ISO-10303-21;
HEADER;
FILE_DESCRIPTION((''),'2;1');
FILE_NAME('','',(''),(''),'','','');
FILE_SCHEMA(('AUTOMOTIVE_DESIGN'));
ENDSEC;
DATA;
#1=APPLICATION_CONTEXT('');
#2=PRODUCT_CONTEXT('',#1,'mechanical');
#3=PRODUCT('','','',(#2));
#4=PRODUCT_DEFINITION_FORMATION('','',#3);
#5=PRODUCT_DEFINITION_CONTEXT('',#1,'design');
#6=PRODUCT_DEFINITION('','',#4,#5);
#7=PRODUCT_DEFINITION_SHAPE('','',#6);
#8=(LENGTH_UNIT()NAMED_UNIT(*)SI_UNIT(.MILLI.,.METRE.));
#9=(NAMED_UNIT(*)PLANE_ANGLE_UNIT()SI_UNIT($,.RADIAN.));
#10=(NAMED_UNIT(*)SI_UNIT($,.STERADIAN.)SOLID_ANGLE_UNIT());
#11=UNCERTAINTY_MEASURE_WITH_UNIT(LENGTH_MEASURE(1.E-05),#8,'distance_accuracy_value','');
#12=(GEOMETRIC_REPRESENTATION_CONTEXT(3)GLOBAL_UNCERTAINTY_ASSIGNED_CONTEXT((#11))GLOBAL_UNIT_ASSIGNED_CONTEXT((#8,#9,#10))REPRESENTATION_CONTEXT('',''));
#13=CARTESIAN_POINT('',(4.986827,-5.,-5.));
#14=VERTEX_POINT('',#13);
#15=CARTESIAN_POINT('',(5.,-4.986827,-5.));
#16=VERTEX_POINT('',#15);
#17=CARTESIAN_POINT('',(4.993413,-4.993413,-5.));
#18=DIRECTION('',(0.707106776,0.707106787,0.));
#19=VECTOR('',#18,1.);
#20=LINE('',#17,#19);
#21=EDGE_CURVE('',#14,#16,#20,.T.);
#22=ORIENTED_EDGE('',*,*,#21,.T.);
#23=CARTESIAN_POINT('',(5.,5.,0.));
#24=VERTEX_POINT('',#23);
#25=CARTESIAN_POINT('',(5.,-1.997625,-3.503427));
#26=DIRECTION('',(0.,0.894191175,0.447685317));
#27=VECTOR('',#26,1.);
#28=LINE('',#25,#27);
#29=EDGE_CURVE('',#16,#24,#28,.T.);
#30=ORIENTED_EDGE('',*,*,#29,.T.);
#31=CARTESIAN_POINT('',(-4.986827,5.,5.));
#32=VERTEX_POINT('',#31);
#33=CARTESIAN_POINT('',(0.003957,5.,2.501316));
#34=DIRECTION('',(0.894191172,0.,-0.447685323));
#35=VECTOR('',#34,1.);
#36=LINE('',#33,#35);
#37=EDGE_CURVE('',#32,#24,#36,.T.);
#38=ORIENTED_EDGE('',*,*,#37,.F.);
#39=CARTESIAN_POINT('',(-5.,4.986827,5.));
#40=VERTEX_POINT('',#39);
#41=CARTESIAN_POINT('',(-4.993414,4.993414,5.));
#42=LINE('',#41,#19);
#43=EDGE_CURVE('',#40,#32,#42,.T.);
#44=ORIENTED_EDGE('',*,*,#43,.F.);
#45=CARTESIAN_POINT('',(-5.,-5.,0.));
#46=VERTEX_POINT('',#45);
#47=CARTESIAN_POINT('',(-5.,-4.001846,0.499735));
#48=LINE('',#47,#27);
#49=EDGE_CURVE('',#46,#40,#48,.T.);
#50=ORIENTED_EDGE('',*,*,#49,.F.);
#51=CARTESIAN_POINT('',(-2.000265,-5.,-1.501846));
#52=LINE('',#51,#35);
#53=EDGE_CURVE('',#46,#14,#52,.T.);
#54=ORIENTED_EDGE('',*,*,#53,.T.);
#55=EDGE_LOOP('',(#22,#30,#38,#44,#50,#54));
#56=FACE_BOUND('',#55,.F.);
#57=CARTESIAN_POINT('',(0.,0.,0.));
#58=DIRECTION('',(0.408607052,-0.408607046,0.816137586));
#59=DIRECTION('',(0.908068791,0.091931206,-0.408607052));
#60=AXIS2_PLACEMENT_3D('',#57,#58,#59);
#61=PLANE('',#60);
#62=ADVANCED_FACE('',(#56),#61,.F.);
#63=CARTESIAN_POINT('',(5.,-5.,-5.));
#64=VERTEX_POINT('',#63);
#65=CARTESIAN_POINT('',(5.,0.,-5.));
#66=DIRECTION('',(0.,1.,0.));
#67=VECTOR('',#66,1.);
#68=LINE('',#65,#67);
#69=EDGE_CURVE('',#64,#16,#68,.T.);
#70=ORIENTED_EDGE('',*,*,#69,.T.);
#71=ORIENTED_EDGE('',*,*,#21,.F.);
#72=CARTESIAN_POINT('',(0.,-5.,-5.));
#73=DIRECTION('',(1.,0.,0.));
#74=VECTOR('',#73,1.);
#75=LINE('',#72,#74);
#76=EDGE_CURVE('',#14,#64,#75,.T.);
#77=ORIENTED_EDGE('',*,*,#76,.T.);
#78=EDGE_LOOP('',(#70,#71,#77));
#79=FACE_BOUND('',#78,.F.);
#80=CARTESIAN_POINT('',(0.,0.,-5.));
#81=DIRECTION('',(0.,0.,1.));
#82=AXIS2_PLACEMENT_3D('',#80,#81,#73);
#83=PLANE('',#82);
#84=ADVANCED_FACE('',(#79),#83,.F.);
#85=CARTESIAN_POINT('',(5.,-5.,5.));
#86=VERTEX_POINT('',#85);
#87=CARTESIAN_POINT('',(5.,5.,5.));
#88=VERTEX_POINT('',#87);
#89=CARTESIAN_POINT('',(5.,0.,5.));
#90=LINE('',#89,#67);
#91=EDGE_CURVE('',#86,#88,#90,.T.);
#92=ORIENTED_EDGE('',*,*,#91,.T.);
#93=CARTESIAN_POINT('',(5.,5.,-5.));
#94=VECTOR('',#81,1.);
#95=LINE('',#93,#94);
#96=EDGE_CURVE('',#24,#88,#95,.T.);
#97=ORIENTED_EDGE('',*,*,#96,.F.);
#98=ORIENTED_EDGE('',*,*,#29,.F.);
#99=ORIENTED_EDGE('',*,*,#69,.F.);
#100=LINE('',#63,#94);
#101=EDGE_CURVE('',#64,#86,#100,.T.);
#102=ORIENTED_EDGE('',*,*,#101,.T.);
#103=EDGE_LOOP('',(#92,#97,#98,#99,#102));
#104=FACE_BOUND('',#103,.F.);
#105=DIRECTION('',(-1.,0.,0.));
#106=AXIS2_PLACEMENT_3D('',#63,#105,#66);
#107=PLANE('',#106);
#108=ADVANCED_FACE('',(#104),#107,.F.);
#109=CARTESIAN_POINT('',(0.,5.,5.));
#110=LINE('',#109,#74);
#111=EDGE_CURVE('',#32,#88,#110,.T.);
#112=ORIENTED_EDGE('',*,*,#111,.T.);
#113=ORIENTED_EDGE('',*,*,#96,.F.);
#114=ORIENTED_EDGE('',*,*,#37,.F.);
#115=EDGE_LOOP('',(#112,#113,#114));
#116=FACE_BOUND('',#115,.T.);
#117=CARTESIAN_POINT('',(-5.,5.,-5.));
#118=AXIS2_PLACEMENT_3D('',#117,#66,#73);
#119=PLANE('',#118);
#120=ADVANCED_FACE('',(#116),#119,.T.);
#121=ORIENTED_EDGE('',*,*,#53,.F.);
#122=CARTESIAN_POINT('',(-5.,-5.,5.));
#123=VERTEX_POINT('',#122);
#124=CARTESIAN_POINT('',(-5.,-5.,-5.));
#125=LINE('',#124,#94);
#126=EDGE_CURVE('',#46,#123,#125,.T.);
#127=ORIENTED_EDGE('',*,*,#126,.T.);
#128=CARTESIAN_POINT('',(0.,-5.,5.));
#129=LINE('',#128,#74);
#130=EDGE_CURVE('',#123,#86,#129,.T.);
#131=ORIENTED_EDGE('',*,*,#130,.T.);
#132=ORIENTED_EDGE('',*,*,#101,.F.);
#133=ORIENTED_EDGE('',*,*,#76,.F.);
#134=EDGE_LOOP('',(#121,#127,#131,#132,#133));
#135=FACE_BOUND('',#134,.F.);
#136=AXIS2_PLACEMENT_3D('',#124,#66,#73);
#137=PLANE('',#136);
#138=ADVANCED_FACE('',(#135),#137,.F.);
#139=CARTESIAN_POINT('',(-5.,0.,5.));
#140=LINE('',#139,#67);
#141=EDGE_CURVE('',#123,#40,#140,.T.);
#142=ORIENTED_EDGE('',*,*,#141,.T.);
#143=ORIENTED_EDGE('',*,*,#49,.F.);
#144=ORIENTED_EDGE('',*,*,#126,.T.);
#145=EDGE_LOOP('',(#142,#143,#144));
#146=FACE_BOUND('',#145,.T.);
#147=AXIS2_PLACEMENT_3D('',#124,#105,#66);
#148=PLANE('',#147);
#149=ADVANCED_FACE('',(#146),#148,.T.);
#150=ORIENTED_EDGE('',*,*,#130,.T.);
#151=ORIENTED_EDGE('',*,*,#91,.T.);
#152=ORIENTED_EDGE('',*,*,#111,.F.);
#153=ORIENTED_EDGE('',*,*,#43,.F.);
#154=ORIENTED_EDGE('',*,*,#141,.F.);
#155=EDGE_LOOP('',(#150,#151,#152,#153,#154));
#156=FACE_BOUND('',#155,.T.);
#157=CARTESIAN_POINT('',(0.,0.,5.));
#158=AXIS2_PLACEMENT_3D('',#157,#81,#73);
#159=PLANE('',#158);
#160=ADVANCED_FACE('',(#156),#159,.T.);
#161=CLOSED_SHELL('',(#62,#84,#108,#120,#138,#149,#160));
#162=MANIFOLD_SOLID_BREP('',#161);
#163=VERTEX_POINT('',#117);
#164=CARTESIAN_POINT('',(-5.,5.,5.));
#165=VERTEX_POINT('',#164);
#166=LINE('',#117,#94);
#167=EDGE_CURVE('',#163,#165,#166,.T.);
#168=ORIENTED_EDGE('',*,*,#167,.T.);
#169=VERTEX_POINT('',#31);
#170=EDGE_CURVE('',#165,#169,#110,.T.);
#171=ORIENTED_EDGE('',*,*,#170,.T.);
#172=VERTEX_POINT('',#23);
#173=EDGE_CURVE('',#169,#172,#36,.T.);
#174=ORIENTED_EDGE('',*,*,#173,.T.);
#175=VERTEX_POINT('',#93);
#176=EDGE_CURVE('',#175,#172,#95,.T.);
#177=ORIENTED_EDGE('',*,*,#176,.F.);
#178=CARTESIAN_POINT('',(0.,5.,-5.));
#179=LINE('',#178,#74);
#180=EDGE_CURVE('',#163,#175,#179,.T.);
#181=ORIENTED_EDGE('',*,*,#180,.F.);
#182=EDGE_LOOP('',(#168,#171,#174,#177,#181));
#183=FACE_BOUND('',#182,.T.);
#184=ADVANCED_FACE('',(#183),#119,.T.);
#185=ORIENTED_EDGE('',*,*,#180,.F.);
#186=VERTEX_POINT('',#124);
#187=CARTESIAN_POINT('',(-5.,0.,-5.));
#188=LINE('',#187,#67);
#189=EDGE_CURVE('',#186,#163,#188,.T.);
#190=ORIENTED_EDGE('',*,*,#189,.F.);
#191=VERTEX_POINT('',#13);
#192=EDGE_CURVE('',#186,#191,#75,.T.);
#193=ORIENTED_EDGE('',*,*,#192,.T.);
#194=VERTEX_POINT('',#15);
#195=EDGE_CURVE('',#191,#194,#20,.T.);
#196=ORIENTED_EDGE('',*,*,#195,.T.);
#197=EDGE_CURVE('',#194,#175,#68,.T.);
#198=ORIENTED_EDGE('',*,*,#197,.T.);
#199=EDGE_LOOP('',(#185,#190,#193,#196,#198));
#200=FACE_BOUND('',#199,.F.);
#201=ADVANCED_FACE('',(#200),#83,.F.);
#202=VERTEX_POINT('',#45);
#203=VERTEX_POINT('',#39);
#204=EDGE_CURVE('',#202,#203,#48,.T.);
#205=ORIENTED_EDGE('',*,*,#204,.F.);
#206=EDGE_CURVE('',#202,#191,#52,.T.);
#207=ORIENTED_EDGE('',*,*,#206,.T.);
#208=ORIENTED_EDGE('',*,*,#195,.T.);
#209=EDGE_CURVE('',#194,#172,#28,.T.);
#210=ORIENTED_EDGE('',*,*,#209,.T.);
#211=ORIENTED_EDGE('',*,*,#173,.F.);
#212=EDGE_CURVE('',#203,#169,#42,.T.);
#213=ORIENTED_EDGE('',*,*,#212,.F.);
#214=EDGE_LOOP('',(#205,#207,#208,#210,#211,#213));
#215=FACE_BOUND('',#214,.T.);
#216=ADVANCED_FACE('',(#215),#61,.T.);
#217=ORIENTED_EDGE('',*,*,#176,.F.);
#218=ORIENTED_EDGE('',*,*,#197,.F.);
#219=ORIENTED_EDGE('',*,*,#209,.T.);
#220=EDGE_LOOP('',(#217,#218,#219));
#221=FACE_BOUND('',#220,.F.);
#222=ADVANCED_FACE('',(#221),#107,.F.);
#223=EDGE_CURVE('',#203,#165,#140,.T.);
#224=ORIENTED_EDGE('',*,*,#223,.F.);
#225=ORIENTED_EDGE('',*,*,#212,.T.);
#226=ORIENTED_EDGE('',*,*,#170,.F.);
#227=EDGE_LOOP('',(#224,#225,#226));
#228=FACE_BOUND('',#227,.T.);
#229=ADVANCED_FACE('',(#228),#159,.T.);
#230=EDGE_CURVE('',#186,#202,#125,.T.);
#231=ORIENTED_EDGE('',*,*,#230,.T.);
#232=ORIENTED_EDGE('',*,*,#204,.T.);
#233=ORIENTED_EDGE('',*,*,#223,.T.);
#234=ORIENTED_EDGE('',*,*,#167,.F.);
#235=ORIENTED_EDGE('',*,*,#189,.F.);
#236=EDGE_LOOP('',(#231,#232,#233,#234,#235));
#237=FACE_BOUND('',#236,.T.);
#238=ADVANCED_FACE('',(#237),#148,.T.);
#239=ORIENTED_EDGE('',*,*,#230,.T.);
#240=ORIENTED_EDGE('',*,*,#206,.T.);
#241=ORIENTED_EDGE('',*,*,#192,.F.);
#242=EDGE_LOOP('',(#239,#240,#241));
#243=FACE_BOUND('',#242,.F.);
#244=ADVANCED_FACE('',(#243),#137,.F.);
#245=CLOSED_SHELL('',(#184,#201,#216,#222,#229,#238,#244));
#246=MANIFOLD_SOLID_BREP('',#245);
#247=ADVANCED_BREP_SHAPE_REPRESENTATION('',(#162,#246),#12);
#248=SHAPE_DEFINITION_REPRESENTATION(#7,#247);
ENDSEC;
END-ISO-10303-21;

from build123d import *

# Parameters (mm, degrees)
BOX001_W               = 30
BOX001_H               = 30
BOX001_DEPTH           = 30
BOX001_ROLL_ANGLE      = 26.595273
BOX001_PITCH_ANGLE     = 24.117362
BOX001_PLACEMENT_ANGLE = 5.780823
BOX_W                  = 10
BOX_H                  = 10
BOX_DEPTH              = 10
BOX003_W               = 30
BOX003_H               = 30
BOX003_DEPTH           = 30
BOX003_ROLL_ANGLE      = 26.595273
BOX003_PITCH_ANGLE     = 24.117362
BOX003_PLACEMENT_ANGLE = 5.780823
BOX002_W               = 10
BOX002_H               = 10
BOX002_DEPTH           = 10


with BuildPart() as cube001:
    # Box001 → Box001 (new body)
    with BuildSketch(Plane.XY):
        with Locations((15, 15)):
            Rectangle(BOX001_W, BOX001_H)
    extrude(amount=BOX001_DEPTH)


with BuildPart() as cube001_1:
    # Box001 roll: moved
    add(cube001.part.rotate(Axis((0, 0, 0), (1, 0, 0)), BOX001_ROLL_ANGLE))


with BuildPart() as cube001_2:
    # Box001 pitch: moved
    add(cube001_1.part.rotate(Axis((0, 0, 0), (0, 1, 0)), BOX001_PITCH_ANGLE))


with BuildPart() as cube001_3:
    # Box001 placement: moved
    add(cube001_2.part.moved(Location((-15, -15, 0))).rotate(Axis((-15, -15, 0), (0, 0, 1)), BOX001_PLACEMENT_ANGLE))


with BuildPart() as cut:
    # Box → Box (new body)
    with BuildSketch(Plane(origin=(-5, -5, -5), x_dir=(1, 0, 0), z_dir=(0, 0, 1))):
        with Locations((5, 5)):
            Rectangle(BOX_W, BOX_H)
    extrude(amount=BOX_DEPTH)

    # Cut: cut Cube001
    add(cube001_3.part, mode=Mode.SUBTRACT)


with BuildPart() as cube003:
    # Box003 → Box003 (new body)
    with BuildSketch(Plane.XY):
        with Locations((15, 15)):
            Rectangle(BOX003_W, BOX003_H)
    extrude(amount=BOX003_DEPTH)


with BuildPart() as cube003_1:
    # Box003 roll: moved
    add(cube003.part.rotate(Axis((0, 0, 0), (1, 0, 0)), BOX003_ROLL_ANGLE))


with BuildPart() as cube003_2:
    # Box003 pitch: moved
    add(cube003_1.part.rotate(Axis((0, 0, 0), (0, 1, 0)), BOX003_PITCH_ANGLE))


with BuildPart() as cube003_3:
    # Box003 placement: moved
    add(cube003_2.part.moved(Location((-15, -15, 0))).rotate(Axis((-15, -15, 0), (0, 0, 1)), BOX003_PLACEMENT_ANGLE))


with BuildPart() as common:
    # Box002 → Box002 (new body)
    with BuildSketch(Plane(origin=(-5, -5, -5), x_dir=(1, 0, 0), z_dir=(0, 0, 1))):
        with Locations((5, 5)):
            Rectangle(BOX002_W, BOX002_H)
    extrude(amount=BOX002_DEPTH)

    # Common: intersect Cube003
    add(cube003_3.part, mode=Mode.INTERSECT)


solid = Compound([cut.part, common.part])
